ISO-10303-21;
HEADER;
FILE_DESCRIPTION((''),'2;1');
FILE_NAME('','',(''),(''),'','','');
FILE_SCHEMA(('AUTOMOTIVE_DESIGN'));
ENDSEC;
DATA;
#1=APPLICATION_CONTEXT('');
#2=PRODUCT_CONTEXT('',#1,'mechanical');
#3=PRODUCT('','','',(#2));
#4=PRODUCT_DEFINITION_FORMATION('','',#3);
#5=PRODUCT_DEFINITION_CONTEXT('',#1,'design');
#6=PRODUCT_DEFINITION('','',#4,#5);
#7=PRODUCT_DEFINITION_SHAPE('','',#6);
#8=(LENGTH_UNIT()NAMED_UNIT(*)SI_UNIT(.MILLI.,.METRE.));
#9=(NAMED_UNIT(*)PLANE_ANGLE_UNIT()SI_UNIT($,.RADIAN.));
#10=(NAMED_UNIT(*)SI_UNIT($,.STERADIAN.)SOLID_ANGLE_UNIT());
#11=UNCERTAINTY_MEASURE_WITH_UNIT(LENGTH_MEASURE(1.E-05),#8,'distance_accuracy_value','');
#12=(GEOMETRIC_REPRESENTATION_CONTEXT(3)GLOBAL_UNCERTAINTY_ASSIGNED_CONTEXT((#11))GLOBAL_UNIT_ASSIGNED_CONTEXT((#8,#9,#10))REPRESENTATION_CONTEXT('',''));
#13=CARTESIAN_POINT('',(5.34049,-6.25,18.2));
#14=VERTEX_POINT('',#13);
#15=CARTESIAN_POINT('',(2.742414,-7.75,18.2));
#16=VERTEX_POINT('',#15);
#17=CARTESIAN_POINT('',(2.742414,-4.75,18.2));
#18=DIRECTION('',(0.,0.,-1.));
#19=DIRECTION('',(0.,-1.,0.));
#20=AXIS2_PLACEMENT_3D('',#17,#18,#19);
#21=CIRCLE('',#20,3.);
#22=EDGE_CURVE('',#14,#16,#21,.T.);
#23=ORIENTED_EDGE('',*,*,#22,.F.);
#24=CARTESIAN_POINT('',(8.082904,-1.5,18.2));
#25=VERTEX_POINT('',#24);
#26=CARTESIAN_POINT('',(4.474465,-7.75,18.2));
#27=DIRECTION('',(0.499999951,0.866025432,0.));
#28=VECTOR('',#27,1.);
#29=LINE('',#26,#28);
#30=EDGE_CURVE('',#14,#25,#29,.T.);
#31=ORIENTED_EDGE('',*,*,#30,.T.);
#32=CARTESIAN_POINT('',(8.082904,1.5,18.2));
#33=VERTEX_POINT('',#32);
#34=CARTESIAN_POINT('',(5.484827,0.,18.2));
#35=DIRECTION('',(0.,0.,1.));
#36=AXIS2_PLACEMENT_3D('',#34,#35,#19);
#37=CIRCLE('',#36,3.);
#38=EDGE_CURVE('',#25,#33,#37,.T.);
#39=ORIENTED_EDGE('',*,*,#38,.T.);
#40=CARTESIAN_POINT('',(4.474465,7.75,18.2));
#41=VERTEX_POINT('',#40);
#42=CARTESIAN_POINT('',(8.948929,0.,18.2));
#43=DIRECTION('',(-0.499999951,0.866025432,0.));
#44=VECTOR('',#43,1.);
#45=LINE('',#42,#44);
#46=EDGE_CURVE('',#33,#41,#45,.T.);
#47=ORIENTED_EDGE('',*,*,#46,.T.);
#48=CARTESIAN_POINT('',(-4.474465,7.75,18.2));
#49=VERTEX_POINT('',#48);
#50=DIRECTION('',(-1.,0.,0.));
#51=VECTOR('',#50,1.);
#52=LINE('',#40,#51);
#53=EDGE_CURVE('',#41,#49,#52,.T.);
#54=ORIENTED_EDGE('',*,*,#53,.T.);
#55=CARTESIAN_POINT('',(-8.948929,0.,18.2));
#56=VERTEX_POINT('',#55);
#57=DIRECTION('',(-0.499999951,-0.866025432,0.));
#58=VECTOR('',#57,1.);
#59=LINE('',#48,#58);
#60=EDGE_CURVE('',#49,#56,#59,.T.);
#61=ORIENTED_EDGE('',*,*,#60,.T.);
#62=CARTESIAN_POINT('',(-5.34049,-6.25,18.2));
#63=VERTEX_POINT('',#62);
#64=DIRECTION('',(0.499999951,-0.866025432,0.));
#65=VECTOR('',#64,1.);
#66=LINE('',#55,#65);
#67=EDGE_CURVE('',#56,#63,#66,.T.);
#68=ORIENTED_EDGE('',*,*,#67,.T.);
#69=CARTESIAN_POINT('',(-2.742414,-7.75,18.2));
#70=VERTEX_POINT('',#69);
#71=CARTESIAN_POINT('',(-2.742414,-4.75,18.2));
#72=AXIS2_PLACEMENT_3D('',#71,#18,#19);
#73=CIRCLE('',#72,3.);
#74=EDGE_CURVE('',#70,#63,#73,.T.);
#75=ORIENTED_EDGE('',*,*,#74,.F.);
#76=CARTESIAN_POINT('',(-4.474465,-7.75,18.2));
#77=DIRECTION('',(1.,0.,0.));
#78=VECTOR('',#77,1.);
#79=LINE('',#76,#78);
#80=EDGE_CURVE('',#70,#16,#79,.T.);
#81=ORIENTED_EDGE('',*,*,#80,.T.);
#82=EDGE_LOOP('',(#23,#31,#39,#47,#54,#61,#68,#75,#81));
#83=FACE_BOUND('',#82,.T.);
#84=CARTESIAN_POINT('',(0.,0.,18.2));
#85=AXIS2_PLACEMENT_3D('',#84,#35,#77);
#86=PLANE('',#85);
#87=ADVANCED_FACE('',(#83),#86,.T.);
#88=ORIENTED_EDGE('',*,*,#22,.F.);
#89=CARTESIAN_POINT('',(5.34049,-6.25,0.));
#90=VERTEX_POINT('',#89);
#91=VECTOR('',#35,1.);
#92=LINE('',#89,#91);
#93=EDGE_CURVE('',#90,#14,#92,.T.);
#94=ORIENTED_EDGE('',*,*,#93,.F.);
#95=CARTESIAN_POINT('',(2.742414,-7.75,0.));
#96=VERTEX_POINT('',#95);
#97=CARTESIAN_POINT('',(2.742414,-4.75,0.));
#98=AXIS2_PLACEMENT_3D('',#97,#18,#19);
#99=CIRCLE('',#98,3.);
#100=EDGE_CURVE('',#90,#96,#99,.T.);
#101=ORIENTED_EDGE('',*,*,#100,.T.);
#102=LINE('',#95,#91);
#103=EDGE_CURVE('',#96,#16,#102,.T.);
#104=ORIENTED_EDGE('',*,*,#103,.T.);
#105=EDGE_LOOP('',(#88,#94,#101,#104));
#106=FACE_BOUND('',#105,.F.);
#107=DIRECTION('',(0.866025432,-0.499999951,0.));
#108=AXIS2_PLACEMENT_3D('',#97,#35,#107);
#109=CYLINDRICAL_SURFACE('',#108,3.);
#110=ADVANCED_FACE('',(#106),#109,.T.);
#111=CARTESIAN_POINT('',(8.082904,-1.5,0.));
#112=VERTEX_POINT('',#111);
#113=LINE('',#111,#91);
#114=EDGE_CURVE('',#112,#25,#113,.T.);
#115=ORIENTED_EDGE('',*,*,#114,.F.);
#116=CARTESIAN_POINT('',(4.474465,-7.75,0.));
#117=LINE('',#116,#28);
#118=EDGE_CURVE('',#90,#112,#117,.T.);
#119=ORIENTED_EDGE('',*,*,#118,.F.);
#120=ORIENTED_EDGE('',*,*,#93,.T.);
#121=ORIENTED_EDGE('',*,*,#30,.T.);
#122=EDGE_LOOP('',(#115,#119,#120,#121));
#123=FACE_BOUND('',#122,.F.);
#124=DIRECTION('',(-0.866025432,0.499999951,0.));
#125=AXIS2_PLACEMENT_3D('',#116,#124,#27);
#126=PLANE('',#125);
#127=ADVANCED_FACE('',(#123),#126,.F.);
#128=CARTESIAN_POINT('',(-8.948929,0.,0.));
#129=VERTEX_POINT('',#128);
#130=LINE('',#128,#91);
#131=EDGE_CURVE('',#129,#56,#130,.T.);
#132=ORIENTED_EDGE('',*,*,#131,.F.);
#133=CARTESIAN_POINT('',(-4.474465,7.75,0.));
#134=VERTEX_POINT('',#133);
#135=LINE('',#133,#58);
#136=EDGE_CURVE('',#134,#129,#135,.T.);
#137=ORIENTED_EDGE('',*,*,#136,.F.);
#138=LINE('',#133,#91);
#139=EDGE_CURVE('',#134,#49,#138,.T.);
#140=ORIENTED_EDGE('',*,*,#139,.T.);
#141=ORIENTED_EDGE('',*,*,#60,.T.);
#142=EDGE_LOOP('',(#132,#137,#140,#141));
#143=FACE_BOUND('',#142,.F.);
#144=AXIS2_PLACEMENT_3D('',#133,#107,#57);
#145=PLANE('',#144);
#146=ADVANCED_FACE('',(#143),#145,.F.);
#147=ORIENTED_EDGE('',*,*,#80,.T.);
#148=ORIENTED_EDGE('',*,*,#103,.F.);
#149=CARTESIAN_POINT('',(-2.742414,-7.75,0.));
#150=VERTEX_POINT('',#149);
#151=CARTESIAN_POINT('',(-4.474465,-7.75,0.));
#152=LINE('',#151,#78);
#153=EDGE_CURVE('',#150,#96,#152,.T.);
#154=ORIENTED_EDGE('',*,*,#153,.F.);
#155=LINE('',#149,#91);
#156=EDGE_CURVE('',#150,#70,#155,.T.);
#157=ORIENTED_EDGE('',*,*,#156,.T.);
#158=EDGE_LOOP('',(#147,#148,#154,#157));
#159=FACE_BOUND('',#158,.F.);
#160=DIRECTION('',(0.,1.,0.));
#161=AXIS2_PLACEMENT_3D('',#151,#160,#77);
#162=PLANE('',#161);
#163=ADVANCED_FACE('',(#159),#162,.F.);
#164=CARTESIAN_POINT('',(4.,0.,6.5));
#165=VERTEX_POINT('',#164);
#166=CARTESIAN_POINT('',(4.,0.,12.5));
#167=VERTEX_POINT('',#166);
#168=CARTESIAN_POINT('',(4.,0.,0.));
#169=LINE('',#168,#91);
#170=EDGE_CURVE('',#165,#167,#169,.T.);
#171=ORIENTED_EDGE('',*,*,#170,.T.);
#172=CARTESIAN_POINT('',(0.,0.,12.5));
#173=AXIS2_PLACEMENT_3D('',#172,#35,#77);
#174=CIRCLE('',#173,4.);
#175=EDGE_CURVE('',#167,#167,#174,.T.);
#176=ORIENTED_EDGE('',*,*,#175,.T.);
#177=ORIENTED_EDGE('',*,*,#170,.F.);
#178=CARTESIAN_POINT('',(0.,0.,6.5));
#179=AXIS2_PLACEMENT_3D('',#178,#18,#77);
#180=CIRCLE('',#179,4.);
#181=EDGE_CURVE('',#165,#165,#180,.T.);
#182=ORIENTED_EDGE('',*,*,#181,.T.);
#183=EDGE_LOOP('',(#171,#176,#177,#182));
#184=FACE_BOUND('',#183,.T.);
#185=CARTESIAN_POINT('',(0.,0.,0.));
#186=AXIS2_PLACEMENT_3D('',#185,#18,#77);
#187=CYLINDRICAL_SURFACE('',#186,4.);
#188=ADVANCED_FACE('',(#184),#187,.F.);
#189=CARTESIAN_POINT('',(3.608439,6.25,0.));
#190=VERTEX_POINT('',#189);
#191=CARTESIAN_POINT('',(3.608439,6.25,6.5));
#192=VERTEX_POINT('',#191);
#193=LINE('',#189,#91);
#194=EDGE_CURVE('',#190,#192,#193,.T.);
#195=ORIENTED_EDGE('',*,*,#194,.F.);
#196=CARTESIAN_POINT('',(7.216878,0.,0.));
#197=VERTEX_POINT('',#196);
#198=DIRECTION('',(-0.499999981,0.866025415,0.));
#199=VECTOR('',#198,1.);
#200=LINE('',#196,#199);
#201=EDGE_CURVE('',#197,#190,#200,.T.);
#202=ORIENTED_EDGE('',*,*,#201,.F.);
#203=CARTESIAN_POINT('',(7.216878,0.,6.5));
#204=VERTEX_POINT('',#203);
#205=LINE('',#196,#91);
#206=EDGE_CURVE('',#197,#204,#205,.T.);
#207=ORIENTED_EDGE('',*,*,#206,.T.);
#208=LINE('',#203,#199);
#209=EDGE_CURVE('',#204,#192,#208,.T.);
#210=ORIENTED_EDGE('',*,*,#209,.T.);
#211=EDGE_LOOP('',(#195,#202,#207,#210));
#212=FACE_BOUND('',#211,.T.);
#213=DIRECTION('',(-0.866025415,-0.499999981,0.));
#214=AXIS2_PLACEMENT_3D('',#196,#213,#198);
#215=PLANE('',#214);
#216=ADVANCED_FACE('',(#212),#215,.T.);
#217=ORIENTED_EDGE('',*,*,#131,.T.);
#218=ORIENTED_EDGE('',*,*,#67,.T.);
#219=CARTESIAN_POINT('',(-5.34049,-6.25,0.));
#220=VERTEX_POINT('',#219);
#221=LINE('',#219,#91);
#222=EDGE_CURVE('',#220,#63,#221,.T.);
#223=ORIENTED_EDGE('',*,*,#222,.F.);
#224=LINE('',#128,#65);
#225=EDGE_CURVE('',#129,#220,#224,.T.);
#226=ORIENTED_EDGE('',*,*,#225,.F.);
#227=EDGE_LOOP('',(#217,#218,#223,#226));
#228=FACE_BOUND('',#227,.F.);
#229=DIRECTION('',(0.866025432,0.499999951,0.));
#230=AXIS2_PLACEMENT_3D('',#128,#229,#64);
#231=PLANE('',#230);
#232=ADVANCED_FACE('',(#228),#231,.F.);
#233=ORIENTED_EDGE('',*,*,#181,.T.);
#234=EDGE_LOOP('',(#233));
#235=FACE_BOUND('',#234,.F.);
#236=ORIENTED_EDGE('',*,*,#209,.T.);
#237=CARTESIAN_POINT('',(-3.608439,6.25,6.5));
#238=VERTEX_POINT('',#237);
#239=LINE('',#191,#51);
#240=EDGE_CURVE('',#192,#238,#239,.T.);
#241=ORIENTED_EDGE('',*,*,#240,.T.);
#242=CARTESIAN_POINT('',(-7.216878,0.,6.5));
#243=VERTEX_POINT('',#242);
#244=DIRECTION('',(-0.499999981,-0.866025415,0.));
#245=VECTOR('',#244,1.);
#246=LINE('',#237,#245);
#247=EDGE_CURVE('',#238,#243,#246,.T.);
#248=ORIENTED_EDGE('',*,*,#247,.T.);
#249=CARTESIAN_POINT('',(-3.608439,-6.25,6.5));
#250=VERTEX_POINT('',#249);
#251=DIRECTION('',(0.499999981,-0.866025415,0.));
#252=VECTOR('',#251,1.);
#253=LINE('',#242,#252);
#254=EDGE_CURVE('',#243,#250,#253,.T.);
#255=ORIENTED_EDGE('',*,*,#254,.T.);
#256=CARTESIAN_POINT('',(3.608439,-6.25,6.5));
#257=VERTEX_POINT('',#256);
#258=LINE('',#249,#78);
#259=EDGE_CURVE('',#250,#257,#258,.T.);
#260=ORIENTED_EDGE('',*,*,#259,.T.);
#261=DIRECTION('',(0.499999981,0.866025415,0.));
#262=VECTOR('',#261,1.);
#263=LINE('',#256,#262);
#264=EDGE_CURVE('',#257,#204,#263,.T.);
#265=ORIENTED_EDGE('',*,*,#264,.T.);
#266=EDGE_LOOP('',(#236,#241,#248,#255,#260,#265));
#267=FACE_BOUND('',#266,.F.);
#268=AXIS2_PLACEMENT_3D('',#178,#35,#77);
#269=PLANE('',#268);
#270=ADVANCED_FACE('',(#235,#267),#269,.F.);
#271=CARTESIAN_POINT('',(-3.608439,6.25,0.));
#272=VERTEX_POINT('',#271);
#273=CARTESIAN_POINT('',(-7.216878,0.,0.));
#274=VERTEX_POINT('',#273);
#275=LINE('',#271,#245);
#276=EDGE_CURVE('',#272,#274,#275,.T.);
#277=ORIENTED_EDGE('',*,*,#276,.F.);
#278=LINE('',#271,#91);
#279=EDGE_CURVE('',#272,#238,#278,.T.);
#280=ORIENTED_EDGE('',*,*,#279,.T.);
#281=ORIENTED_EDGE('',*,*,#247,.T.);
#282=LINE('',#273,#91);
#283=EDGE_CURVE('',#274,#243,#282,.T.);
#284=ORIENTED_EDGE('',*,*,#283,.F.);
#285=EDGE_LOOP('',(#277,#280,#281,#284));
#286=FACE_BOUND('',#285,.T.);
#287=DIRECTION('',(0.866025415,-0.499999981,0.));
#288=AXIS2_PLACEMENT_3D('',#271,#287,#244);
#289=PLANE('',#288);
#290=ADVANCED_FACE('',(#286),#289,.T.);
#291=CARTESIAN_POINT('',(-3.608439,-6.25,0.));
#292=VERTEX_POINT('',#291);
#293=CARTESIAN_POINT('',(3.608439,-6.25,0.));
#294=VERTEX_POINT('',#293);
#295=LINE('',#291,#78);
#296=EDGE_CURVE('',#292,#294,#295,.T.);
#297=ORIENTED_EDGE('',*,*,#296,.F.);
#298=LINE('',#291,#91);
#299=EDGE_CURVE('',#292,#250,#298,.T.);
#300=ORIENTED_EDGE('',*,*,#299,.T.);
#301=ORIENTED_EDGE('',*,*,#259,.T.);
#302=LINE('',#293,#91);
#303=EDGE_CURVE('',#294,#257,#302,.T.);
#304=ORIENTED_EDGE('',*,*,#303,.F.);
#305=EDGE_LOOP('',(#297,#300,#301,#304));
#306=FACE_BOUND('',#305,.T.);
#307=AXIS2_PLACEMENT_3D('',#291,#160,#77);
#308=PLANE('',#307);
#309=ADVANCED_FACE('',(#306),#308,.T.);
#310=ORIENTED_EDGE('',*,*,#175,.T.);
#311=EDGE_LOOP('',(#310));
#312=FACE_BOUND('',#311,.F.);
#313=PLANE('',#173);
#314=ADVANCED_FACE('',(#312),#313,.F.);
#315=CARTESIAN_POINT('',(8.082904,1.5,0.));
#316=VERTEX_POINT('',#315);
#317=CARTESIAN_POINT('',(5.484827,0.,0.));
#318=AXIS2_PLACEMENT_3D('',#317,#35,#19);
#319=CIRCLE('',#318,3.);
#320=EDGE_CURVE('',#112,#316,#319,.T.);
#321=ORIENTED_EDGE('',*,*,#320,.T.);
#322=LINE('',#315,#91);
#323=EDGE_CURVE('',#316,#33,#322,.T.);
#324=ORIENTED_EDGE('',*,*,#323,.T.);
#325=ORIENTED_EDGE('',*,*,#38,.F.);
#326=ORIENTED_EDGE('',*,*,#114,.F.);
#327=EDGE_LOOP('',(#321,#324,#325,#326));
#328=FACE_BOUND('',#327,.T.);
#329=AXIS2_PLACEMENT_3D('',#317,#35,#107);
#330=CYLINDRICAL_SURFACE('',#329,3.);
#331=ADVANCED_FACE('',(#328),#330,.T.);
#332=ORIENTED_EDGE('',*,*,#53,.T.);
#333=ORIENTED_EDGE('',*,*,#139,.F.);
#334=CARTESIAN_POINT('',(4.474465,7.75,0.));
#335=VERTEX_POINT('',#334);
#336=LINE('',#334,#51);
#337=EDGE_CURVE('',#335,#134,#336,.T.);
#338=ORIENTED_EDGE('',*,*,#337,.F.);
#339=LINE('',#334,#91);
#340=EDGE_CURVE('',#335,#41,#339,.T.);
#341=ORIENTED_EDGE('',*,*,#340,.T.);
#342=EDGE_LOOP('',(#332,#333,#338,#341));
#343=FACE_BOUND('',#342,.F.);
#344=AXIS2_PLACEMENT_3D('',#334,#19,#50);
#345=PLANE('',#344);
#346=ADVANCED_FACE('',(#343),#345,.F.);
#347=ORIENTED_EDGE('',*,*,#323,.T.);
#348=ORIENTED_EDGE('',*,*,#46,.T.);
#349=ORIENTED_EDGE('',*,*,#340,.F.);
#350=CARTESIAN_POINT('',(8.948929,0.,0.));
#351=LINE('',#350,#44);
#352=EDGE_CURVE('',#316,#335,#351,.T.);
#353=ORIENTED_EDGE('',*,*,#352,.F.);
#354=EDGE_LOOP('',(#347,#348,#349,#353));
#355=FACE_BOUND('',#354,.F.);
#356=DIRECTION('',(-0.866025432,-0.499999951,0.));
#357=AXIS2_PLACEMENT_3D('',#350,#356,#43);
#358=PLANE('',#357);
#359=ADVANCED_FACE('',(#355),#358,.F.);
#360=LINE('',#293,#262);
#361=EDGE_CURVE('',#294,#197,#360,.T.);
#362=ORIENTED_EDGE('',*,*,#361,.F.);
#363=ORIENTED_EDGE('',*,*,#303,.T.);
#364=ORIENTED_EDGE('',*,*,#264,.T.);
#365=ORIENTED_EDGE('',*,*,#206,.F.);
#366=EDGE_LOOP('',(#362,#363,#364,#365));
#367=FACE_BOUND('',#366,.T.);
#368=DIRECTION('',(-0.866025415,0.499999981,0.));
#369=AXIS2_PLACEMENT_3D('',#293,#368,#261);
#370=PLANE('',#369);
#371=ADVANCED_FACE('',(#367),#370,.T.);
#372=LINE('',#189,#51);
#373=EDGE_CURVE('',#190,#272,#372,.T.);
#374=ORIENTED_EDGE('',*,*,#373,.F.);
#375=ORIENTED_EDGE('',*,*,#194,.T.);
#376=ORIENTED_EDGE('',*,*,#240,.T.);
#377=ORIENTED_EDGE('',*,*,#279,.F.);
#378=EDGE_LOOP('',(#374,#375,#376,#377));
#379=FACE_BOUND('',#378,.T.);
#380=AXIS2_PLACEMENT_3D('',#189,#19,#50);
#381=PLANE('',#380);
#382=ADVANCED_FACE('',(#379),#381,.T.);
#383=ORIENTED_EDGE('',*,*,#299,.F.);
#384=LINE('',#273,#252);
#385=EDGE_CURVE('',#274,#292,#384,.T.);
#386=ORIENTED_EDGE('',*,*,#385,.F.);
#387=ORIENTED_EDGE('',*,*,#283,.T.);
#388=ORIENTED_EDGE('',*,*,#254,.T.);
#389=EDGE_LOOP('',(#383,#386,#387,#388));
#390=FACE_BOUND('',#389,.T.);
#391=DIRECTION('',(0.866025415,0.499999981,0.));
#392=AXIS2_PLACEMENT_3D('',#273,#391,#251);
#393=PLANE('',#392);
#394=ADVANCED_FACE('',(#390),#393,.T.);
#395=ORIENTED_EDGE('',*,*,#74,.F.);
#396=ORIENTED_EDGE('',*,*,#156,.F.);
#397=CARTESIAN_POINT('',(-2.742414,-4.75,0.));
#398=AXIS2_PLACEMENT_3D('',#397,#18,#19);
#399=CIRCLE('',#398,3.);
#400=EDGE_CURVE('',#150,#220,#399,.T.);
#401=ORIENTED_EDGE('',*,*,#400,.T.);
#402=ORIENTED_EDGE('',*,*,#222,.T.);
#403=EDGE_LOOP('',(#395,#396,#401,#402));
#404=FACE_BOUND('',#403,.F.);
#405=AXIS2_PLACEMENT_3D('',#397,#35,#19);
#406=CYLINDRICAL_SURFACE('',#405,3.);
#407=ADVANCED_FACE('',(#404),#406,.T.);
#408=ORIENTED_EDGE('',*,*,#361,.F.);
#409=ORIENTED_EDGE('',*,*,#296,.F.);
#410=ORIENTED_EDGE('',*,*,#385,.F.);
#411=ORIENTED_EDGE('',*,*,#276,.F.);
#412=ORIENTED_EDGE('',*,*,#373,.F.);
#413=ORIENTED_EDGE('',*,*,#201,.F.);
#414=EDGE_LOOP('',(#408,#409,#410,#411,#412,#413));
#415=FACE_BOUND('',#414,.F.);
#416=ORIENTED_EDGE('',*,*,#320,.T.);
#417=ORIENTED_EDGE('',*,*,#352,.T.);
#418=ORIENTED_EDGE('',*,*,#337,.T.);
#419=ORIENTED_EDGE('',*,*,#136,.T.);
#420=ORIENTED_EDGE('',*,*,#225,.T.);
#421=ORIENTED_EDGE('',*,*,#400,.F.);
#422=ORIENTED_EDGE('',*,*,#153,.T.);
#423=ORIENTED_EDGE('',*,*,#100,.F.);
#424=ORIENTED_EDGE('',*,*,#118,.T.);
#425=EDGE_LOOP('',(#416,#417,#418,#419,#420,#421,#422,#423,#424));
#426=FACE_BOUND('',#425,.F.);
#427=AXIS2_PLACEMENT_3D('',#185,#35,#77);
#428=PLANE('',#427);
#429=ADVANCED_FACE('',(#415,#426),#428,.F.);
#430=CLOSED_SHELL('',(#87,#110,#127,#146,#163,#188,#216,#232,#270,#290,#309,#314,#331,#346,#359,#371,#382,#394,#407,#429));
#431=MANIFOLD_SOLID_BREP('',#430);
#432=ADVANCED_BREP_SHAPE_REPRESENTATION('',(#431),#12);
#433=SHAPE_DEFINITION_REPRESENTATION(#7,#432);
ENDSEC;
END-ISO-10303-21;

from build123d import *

# Parameters (mm, degrees)
F1_DEPTH = 18.2
F3_DEPTH = 6.5
F4_R     = 4
F5_DEPTH = 12.5
F6_R     = 3


with BuildPart() as f1:
    # F0 (on Top) → F1 (new body)
    with BuildSketch(Plane.XY):
        Polygon((4.474465, -7.75), (8.948929, 0), (4.474465, 7.75), (-4.474465, 7.75), (-8.948929, 0), (-4.474465, -7.75), align=None)
    extrude(amount=F1_DEPTH)

    # F2 (on Top) → F3 (cut)
    with BuildSketch(Plane.XY):
        Polygon((3.608439, -6.25), (7.216878, 0), (3.608439, 6.25), (-3.608439, 6.25), (-7.216878, 0), (-3.608439, -6.25), align=None)
    extrude(amount=F3_DEPTH, mode=Mode.SUBTRACT)

    # F4 (on Top) → F5 (cut)
    with BuildSketch(Plane.XY):
        Circle(F4_R)
    extrude(amount=F5_DEPTH, mode=Mode.SUBTRACT)

    # F6
    f6_edges = [f1.edges().sort_by_distance(p)[0] for p in [
        (8.948929, 0, 9.1),
        (4.474465, -7.75, 9.1),
        (-4.474465, -7.75, 9.1),
    ]]
    fillet(f6_edges, radius=F6_R)


solid = f1.part
